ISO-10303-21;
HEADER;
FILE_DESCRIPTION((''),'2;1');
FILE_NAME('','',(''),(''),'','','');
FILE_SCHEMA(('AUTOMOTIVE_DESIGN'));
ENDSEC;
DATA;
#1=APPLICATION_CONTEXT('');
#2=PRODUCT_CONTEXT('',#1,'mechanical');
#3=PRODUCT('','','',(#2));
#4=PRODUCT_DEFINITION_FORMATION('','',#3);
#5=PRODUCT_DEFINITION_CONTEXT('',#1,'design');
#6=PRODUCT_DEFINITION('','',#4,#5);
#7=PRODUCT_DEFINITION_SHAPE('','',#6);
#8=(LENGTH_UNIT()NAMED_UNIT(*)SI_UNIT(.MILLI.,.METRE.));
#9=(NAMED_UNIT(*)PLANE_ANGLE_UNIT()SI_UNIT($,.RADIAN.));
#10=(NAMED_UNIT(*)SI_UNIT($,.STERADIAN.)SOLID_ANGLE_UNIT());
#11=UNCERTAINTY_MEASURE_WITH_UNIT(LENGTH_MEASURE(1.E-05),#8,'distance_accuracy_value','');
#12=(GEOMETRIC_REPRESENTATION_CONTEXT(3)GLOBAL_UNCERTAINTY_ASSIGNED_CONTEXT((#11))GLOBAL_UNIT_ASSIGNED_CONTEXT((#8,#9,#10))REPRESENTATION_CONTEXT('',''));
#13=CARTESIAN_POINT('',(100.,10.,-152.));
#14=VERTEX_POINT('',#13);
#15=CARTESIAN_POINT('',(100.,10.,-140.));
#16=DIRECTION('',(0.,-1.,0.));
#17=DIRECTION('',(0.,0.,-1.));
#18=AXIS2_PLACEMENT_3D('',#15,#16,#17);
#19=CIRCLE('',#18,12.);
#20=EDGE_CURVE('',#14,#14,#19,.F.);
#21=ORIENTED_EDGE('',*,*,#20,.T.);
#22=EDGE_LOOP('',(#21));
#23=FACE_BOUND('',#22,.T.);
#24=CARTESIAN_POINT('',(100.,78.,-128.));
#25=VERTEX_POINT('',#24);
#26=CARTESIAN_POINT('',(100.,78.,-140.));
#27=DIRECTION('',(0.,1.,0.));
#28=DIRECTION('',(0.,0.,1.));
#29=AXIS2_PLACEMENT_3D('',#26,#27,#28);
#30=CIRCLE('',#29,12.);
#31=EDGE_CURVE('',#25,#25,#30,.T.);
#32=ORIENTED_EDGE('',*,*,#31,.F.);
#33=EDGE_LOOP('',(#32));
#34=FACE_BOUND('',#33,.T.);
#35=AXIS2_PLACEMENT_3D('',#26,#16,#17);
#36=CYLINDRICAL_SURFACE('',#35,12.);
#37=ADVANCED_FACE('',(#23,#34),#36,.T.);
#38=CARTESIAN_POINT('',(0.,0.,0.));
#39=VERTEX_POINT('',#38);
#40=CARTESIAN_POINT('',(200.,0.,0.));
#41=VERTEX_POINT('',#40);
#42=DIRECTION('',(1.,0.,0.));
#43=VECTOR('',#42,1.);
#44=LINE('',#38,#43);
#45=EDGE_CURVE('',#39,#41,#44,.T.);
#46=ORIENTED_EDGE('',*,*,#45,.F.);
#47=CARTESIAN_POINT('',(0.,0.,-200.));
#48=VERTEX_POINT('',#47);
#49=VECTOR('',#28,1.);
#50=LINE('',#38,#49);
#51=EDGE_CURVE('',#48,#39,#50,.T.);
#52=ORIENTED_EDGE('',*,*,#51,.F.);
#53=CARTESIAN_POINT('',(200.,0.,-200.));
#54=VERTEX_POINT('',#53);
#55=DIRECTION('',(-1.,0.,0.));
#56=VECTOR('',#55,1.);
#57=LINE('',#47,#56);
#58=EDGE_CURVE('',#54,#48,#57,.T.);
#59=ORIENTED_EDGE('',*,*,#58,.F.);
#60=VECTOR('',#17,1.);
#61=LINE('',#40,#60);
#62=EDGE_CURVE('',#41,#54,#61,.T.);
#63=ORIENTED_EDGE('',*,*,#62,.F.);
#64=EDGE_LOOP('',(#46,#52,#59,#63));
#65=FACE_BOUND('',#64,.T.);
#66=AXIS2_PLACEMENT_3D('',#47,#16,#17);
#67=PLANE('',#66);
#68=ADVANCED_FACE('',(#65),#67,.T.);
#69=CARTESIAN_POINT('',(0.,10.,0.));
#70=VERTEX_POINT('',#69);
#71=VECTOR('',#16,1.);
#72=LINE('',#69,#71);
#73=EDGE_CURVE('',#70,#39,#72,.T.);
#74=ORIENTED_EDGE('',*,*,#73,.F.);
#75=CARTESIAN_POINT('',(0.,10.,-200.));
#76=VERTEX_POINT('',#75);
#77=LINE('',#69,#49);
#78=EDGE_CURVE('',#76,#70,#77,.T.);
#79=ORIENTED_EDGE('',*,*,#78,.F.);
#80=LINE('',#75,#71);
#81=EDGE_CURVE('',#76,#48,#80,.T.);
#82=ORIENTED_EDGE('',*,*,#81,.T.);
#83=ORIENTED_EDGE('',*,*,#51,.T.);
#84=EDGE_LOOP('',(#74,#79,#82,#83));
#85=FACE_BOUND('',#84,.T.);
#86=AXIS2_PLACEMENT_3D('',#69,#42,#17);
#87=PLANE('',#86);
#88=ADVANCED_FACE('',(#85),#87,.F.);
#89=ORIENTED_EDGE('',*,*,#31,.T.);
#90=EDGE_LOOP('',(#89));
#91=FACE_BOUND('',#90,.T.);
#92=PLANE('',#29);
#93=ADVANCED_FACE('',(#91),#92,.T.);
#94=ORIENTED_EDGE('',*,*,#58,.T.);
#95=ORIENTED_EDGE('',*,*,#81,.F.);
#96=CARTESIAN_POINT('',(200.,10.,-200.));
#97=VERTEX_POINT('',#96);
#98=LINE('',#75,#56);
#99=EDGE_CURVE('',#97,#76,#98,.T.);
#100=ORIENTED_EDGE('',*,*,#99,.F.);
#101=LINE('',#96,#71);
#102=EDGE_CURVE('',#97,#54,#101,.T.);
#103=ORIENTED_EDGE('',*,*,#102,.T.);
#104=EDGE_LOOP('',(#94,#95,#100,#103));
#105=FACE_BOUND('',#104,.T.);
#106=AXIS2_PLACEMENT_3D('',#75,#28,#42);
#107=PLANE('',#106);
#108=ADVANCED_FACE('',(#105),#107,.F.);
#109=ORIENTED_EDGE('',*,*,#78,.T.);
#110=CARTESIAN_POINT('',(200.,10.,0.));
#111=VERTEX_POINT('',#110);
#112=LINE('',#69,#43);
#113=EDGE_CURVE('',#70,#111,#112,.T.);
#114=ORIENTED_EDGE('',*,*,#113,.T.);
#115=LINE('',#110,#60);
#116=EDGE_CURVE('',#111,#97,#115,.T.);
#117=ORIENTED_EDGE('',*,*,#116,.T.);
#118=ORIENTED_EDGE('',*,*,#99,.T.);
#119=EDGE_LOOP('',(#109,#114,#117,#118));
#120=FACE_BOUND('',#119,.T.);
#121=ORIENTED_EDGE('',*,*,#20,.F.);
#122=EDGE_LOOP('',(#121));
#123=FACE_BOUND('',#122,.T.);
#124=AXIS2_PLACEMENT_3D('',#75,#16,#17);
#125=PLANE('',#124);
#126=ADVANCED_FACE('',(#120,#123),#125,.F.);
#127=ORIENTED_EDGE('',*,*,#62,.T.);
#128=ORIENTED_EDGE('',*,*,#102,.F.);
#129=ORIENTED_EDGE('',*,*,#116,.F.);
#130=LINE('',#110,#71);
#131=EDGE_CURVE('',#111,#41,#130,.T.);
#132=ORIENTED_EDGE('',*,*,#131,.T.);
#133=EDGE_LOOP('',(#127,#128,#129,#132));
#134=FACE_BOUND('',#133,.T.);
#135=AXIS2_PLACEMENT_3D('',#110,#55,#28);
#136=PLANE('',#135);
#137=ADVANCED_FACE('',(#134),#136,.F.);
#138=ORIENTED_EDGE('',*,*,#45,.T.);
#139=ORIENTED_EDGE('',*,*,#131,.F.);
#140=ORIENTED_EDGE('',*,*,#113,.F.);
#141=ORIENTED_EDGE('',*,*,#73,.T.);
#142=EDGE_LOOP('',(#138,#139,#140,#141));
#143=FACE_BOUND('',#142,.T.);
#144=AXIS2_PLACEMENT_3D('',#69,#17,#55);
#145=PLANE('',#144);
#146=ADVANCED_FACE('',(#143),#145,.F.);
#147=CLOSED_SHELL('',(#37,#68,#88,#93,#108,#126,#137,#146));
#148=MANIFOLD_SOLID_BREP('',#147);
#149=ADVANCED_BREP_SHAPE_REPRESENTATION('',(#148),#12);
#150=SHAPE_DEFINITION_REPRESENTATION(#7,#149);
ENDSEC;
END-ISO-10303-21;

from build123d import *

# Parameters (mm, degrees)
SKETCH1_W           = 200
SKETCH1_H           = 200
BOSS_EXTRUDE1_DEPTH = 10
SKETCH2_R           = 12
BOSS_EXTRUDE2_DEPTH = 68


with BuildPart() as part:
    # Sketch1 → Boss-Extrude1 (new body)
    with BuildSketch(Plane(origin=(0, 0, 0), x_dir=(1, 0, 0), z_dir=(0, 1, 0))):
        with Locations((100, 100)):
            Rectangle(SKETCH1_W, SKETCH1_H)
    extrude(amount=BOSS_EXTRUDE1_DEPTH)

    # Sketch2 → Boss-Extrude2 (add)
    with BuildSketch(Plane(origin=(0, 10, 0), x_dir=(-1, 0, 0), z_dir=(0, 1, 0))):
        with Locations(Location((-100, -140, 0), (0, 0, 270))):
            Circle(SKETCH2_R)
    extrude(amount=BOSS_EXTRUDE2_DEPTH)


solid = part.part
